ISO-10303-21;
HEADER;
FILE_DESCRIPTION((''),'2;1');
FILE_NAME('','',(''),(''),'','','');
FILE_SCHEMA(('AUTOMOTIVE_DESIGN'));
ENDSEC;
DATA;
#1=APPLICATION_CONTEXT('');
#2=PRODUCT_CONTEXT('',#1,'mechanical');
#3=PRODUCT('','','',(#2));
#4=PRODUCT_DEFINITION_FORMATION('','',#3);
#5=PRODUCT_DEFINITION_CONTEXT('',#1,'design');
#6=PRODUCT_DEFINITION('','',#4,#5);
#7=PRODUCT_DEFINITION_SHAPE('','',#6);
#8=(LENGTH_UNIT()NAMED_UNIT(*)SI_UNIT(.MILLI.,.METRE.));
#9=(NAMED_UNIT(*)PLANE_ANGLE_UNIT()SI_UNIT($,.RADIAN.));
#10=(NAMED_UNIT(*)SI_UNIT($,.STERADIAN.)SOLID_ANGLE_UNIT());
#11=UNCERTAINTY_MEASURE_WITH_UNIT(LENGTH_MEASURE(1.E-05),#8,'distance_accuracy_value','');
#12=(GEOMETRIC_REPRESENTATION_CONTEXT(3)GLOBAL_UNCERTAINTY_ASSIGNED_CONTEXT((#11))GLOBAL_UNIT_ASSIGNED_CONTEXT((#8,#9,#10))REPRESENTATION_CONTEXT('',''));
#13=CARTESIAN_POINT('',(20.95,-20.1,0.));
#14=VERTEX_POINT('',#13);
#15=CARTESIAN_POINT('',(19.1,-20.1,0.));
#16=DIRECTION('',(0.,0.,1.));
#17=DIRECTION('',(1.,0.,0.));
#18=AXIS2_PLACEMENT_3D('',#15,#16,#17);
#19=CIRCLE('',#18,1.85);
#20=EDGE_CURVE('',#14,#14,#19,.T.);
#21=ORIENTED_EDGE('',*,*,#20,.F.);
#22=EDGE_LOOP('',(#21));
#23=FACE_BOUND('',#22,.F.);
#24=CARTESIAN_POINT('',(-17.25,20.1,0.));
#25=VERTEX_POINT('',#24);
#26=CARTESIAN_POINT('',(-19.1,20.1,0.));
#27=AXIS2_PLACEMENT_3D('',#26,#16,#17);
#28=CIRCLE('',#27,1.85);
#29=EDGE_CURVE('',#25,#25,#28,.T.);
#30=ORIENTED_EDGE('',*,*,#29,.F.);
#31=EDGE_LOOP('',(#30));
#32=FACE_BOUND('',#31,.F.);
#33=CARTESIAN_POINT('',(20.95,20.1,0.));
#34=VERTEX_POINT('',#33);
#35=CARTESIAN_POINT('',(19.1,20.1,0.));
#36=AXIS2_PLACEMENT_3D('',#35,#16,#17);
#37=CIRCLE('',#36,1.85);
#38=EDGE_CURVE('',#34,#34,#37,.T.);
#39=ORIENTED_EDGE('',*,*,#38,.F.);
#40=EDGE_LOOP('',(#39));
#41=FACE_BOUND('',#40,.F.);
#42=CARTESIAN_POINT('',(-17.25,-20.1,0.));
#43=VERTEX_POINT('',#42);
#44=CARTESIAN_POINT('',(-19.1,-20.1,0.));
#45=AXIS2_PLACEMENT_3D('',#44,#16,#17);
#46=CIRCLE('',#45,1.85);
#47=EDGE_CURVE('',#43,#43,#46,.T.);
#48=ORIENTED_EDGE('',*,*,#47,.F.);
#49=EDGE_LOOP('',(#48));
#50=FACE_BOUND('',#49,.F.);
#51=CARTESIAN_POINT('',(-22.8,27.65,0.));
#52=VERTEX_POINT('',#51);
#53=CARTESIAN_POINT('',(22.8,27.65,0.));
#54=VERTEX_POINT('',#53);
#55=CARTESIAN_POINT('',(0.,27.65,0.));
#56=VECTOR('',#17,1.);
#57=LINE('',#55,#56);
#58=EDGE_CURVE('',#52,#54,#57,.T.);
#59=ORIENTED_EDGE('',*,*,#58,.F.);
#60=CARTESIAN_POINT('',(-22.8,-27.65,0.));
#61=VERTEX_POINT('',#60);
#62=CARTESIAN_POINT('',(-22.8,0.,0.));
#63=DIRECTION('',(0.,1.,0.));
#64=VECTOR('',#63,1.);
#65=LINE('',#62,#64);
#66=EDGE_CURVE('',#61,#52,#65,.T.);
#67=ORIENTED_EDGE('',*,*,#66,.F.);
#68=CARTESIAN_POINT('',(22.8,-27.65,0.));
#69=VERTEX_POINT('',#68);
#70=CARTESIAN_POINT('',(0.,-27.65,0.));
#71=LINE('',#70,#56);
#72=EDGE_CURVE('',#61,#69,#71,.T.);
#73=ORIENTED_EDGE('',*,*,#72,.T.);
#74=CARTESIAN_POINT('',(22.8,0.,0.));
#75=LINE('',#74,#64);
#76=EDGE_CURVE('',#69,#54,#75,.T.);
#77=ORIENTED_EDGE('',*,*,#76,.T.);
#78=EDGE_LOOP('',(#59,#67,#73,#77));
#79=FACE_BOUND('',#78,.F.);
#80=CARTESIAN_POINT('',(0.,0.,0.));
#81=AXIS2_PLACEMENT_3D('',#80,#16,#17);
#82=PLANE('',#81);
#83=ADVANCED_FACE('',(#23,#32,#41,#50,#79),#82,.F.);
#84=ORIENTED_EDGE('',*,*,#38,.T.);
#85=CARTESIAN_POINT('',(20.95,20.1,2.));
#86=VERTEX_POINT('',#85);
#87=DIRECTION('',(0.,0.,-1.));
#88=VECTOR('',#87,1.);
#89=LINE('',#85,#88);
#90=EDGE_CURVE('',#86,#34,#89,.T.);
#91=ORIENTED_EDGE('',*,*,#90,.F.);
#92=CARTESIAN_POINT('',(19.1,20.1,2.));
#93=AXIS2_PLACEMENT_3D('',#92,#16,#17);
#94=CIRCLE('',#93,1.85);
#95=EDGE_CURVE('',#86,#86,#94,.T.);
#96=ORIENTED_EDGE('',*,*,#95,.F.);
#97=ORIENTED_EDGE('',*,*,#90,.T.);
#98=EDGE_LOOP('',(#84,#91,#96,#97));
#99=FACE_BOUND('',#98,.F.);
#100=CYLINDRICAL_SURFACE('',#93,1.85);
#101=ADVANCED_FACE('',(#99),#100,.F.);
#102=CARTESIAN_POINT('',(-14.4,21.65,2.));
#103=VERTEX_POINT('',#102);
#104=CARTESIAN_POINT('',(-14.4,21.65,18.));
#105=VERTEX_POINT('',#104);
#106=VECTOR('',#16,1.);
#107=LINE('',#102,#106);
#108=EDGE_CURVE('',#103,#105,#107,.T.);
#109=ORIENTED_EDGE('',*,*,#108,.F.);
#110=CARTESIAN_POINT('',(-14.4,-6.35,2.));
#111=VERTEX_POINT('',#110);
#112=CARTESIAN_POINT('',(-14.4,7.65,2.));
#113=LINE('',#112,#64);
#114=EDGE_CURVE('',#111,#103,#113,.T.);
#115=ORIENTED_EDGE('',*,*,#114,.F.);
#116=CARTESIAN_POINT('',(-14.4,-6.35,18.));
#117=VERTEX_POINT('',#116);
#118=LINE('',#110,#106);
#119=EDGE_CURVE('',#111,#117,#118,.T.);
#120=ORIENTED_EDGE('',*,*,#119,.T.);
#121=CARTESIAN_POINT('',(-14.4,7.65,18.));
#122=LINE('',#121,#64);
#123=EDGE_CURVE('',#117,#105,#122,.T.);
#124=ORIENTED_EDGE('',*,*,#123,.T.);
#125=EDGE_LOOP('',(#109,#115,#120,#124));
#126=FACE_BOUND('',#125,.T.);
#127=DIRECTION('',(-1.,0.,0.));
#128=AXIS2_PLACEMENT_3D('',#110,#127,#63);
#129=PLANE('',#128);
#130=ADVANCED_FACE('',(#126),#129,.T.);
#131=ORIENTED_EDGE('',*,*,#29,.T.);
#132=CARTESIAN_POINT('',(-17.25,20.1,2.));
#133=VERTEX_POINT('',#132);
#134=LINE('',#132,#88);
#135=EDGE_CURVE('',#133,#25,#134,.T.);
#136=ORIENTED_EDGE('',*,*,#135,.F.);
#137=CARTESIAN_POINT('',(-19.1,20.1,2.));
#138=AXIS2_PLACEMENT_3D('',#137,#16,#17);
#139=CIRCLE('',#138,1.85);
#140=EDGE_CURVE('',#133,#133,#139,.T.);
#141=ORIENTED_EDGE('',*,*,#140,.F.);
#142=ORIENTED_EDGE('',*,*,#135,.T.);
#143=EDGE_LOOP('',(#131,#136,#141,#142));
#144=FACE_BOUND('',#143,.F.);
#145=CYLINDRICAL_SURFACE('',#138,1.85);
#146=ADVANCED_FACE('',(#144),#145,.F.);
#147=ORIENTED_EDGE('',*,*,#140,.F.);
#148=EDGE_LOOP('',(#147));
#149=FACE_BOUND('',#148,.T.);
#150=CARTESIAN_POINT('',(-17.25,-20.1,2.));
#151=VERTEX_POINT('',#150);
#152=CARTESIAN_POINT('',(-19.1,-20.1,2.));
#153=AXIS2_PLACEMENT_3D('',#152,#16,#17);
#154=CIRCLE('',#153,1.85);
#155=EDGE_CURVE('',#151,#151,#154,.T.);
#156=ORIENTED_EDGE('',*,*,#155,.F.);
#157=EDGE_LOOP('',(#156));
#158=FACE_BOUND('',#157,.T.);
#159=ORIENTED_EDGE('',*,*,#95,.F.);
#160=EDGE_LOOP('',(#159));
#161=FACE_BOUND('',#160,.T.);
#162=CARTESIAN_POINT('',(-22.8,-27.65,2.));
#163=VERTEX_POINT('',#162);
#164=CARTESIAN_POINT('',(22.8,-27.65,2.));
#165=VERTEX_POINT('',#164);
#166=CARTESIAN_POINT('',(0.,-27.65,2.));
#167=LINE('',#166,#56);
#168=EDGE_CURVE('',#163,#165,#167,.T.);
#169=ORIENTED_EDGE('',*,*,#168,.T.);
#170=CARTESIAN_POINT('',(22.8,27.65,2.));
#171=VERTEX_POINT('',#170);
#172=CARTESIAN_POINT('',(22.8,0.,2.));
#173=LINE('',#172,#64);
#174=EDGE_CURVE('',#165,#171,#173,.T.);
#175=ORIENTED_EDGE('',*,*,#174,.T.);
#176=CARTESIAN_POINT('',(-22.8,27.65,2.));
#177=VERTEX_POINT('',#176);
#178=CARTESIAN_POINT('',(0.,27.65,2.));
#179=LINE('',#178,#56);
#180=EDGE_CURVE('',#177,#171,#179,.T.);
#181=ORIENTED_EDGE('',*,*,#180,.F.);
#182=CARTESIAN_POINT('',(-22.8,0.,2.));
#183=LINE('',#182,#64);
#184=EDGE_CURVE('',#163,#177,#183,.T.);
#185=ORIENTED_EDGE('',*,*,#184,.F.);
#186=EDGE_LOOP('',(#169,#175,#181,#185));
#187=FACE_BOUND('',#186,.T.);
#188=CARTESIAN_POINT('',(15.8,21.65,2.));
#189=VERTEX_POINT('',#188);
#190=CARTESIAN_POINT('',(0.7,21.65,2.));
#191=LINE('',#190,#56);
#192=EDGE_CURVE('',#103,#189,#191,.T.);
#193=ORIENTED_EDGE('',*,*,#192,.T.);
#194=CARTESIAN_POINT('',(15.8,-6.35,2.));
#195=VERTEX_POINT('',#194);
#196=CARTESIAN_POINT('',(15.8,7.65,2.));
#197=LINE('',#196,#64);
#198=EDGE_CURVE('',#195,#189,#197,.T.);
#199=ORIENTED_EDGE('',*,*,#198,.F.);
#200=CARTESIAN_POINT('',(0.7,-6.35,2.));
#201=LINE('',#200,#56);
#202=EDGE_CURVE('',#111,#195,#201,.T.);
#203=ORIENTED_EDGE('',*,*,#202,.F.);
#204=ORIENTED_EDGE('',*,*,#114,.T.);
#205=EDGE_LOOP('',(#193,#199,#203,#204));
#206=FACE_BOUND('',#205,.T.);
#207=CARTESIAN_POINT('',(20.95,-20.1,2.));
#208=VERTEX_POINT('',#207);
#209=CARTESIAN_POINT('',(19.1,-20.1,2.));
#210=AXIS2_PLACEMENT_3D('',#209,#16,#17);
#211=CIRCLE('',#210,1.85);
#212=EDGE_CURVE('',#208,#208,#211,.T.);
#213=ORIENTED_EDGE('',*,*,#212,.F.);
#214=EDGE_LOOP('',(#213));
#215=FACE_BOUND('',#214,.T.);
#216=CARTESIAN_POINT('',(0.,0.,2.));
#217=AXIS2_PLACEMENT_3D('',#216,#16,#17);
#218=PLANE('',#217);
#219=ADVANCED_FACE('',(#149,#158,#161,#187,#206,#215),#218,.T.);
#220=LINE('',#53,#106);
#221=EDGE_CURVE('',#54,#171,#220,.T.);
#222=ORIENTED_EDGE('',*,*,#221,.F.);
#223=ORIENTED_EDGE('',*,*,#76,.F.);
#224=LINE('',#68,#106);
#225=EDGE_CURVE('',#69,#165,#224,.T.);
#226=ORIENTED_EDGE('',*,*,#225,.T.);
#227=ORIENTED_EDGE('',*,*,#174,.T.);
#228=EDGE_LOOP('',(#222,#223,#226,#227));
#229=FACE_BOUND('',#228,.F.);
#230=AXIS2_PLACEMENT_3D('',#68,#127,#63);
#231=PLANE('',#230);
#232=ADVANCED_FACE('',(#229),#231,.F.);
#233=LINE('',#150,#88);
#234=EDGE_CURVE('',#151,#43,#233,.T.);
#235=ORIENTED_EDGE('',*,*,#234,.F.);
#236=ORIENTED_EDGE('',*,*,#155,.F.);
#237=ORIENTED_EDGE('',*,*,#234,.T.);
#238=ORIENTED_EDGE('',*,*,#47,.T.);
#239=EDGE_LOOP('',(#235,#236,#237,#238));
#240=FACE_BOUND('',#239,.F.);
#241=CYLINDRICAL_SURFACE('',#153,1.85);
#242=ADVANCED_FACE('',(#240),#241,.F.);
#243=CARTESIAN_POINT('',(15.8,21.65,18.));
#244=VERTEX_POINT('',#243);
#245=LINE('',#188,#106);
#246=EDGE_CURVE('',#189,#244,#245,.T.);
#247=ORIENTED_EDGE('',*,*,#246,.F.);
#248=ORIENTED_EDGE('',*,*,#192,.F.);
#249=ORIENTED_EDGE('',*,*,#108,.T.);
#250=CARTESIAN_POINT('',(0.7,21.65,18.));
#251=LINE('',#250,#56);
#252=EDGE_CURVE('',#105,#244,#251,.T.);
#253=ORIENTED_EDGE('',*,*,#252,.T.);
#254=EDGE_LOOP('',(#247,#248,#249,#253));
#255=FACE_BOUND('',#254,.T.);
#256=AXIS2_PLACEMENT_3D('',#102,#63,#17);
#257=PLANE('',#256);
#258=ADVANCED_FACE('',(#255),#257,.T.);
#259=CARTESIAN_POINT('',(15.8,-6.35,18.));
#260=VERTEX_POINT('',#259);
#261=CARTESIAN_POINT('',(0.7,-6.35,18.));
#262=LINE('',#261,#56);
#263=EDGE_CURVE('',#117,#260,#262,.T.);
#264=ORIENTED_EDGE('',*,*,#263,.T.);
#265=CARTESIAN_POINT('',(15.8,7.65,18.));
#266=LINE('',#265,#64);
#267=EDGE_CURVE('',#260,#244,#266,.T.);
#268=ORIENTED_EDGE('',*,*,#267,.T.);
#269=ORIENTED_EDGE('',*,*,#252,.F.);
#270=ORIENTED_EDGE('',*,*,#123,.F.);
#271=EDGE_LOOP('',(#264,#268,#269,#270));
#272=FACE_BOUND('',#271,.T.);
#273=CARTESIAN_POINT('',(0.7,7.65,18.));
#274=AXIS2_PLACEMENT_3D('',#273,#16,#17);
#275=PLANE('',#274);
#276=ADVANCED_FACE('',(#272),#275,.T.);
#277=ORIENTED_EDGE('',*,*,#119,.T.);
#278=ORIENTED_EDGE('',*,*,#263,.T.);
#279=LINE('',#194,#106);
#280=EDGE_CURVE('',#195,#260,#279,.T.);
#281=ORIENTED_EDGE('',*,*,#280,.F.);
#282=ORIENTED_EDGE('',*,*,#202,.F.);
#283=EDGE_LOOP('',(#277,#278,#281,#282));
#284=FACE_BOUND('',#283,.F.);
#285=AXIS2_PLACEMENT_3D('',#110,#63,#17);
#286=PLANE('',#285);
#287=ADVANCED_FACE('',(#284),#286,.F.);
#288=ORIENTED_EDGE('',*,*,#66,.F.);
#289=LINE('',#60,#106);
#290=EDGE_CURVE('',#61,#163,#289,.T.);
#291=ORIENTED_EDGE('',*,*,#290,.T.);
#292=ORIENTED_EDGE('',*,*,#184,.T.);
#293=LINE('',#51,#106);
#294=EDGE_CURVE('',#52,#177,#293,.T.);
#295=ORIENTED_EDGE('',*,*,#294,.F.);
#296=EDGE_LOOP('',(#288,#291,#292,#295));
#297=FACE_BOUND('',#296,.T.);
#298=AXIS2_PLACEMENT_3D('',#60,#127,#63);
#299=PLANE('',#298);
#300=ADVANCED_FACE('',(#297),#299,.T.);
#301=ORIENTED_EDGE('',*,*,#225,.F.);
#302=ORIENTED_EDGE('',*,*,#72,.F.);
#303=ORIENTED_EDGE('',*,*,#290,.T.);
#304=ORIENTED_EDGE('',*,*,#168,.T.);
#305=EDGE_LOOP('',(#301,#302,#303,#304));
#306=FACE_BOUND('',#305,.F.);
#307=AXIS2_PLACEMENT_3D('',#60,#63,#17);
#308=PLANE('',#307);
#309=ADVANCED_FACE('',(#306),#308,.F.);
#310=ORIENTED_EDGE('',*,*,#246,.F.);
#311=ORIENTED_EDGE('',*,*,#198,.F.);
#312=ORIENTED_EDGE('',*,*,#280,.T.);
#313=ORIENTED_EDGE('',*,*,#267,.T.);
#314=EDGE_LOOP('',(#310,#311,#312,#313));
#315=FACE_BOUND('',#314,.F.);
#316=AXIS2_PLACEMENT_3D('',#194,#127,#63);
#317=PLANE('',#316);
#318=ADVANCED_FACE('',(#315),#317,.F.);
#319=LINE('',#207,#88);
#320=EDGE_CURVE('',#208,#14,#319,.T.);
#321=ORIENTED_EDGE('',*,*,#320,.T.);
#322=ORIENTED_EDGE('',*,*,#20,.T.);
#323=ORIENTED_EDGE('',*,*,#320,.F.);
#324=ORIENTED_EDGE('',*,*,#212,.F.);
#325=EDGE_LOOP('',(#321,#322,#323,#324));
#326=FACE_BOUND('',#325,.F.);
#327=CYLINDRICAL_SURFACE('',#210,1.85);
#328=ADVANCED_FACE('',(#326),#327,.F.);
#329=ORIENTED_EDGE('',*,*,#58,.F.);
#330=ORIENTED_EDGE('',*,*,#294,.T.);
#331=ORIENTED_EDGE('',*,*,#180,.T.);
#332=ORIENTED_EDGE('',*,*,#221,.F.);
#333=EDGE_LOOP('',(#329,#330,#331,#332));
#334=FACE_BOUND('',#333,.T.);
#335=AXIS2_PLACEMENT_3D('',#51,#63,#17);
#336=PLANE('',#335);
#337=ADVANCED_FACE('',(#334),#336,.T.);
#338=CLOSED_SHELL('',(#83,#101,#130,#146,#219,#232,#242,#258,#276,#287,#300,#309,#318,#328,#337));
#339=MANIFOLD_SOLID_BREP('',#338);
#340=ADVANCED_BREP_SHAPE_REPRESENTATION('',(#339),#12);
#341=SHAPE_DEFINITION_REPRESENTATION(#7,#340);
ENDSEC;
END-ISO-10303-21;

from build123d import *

# Parameters (mm, degrees)
F0_W     = 45.6
F0_H     = 55.3
F1_DEPTH = 2
F2_R     = 1.85
F3_DEPTH = 25
F4_W     = 30.2
F4_H     = 28
F5_DEPTH = 16


with BuildPart() as f1:
    # F0 (on Top) → F1 (new body)
    with BuildSketch(Plane.XY):
        Rectangle(F0_W, F0_H)
    extrude(amount=F1_DEPTH)

    # F2 (on face) → F3 (cut)
    with BuildSketch(Plane.XY.offset(2)):
        with Locations((-19.1, 20.1)):
            Circle(F2_R)
        with Locations((19.1, 20.1)):
            Circle(F2_R)
        with Locations((-19.1, -20.1)):
            Circle(F2_R)
        with Locations((19.1, -20.1)):
            Circle(F2_R)
    extrude(amount=-F3_DEPTH, mode=Mode.SUBTRACT)

    # F4 (on face) → F5 (join)
    with BuildSketch(Plane.XY.offset(2)):
        with Locations((0.7, 7.65)):
            Rectangle(F4_W, F4_H)
    extrude(amount=F5_DEPTH)


solid = f1.part
